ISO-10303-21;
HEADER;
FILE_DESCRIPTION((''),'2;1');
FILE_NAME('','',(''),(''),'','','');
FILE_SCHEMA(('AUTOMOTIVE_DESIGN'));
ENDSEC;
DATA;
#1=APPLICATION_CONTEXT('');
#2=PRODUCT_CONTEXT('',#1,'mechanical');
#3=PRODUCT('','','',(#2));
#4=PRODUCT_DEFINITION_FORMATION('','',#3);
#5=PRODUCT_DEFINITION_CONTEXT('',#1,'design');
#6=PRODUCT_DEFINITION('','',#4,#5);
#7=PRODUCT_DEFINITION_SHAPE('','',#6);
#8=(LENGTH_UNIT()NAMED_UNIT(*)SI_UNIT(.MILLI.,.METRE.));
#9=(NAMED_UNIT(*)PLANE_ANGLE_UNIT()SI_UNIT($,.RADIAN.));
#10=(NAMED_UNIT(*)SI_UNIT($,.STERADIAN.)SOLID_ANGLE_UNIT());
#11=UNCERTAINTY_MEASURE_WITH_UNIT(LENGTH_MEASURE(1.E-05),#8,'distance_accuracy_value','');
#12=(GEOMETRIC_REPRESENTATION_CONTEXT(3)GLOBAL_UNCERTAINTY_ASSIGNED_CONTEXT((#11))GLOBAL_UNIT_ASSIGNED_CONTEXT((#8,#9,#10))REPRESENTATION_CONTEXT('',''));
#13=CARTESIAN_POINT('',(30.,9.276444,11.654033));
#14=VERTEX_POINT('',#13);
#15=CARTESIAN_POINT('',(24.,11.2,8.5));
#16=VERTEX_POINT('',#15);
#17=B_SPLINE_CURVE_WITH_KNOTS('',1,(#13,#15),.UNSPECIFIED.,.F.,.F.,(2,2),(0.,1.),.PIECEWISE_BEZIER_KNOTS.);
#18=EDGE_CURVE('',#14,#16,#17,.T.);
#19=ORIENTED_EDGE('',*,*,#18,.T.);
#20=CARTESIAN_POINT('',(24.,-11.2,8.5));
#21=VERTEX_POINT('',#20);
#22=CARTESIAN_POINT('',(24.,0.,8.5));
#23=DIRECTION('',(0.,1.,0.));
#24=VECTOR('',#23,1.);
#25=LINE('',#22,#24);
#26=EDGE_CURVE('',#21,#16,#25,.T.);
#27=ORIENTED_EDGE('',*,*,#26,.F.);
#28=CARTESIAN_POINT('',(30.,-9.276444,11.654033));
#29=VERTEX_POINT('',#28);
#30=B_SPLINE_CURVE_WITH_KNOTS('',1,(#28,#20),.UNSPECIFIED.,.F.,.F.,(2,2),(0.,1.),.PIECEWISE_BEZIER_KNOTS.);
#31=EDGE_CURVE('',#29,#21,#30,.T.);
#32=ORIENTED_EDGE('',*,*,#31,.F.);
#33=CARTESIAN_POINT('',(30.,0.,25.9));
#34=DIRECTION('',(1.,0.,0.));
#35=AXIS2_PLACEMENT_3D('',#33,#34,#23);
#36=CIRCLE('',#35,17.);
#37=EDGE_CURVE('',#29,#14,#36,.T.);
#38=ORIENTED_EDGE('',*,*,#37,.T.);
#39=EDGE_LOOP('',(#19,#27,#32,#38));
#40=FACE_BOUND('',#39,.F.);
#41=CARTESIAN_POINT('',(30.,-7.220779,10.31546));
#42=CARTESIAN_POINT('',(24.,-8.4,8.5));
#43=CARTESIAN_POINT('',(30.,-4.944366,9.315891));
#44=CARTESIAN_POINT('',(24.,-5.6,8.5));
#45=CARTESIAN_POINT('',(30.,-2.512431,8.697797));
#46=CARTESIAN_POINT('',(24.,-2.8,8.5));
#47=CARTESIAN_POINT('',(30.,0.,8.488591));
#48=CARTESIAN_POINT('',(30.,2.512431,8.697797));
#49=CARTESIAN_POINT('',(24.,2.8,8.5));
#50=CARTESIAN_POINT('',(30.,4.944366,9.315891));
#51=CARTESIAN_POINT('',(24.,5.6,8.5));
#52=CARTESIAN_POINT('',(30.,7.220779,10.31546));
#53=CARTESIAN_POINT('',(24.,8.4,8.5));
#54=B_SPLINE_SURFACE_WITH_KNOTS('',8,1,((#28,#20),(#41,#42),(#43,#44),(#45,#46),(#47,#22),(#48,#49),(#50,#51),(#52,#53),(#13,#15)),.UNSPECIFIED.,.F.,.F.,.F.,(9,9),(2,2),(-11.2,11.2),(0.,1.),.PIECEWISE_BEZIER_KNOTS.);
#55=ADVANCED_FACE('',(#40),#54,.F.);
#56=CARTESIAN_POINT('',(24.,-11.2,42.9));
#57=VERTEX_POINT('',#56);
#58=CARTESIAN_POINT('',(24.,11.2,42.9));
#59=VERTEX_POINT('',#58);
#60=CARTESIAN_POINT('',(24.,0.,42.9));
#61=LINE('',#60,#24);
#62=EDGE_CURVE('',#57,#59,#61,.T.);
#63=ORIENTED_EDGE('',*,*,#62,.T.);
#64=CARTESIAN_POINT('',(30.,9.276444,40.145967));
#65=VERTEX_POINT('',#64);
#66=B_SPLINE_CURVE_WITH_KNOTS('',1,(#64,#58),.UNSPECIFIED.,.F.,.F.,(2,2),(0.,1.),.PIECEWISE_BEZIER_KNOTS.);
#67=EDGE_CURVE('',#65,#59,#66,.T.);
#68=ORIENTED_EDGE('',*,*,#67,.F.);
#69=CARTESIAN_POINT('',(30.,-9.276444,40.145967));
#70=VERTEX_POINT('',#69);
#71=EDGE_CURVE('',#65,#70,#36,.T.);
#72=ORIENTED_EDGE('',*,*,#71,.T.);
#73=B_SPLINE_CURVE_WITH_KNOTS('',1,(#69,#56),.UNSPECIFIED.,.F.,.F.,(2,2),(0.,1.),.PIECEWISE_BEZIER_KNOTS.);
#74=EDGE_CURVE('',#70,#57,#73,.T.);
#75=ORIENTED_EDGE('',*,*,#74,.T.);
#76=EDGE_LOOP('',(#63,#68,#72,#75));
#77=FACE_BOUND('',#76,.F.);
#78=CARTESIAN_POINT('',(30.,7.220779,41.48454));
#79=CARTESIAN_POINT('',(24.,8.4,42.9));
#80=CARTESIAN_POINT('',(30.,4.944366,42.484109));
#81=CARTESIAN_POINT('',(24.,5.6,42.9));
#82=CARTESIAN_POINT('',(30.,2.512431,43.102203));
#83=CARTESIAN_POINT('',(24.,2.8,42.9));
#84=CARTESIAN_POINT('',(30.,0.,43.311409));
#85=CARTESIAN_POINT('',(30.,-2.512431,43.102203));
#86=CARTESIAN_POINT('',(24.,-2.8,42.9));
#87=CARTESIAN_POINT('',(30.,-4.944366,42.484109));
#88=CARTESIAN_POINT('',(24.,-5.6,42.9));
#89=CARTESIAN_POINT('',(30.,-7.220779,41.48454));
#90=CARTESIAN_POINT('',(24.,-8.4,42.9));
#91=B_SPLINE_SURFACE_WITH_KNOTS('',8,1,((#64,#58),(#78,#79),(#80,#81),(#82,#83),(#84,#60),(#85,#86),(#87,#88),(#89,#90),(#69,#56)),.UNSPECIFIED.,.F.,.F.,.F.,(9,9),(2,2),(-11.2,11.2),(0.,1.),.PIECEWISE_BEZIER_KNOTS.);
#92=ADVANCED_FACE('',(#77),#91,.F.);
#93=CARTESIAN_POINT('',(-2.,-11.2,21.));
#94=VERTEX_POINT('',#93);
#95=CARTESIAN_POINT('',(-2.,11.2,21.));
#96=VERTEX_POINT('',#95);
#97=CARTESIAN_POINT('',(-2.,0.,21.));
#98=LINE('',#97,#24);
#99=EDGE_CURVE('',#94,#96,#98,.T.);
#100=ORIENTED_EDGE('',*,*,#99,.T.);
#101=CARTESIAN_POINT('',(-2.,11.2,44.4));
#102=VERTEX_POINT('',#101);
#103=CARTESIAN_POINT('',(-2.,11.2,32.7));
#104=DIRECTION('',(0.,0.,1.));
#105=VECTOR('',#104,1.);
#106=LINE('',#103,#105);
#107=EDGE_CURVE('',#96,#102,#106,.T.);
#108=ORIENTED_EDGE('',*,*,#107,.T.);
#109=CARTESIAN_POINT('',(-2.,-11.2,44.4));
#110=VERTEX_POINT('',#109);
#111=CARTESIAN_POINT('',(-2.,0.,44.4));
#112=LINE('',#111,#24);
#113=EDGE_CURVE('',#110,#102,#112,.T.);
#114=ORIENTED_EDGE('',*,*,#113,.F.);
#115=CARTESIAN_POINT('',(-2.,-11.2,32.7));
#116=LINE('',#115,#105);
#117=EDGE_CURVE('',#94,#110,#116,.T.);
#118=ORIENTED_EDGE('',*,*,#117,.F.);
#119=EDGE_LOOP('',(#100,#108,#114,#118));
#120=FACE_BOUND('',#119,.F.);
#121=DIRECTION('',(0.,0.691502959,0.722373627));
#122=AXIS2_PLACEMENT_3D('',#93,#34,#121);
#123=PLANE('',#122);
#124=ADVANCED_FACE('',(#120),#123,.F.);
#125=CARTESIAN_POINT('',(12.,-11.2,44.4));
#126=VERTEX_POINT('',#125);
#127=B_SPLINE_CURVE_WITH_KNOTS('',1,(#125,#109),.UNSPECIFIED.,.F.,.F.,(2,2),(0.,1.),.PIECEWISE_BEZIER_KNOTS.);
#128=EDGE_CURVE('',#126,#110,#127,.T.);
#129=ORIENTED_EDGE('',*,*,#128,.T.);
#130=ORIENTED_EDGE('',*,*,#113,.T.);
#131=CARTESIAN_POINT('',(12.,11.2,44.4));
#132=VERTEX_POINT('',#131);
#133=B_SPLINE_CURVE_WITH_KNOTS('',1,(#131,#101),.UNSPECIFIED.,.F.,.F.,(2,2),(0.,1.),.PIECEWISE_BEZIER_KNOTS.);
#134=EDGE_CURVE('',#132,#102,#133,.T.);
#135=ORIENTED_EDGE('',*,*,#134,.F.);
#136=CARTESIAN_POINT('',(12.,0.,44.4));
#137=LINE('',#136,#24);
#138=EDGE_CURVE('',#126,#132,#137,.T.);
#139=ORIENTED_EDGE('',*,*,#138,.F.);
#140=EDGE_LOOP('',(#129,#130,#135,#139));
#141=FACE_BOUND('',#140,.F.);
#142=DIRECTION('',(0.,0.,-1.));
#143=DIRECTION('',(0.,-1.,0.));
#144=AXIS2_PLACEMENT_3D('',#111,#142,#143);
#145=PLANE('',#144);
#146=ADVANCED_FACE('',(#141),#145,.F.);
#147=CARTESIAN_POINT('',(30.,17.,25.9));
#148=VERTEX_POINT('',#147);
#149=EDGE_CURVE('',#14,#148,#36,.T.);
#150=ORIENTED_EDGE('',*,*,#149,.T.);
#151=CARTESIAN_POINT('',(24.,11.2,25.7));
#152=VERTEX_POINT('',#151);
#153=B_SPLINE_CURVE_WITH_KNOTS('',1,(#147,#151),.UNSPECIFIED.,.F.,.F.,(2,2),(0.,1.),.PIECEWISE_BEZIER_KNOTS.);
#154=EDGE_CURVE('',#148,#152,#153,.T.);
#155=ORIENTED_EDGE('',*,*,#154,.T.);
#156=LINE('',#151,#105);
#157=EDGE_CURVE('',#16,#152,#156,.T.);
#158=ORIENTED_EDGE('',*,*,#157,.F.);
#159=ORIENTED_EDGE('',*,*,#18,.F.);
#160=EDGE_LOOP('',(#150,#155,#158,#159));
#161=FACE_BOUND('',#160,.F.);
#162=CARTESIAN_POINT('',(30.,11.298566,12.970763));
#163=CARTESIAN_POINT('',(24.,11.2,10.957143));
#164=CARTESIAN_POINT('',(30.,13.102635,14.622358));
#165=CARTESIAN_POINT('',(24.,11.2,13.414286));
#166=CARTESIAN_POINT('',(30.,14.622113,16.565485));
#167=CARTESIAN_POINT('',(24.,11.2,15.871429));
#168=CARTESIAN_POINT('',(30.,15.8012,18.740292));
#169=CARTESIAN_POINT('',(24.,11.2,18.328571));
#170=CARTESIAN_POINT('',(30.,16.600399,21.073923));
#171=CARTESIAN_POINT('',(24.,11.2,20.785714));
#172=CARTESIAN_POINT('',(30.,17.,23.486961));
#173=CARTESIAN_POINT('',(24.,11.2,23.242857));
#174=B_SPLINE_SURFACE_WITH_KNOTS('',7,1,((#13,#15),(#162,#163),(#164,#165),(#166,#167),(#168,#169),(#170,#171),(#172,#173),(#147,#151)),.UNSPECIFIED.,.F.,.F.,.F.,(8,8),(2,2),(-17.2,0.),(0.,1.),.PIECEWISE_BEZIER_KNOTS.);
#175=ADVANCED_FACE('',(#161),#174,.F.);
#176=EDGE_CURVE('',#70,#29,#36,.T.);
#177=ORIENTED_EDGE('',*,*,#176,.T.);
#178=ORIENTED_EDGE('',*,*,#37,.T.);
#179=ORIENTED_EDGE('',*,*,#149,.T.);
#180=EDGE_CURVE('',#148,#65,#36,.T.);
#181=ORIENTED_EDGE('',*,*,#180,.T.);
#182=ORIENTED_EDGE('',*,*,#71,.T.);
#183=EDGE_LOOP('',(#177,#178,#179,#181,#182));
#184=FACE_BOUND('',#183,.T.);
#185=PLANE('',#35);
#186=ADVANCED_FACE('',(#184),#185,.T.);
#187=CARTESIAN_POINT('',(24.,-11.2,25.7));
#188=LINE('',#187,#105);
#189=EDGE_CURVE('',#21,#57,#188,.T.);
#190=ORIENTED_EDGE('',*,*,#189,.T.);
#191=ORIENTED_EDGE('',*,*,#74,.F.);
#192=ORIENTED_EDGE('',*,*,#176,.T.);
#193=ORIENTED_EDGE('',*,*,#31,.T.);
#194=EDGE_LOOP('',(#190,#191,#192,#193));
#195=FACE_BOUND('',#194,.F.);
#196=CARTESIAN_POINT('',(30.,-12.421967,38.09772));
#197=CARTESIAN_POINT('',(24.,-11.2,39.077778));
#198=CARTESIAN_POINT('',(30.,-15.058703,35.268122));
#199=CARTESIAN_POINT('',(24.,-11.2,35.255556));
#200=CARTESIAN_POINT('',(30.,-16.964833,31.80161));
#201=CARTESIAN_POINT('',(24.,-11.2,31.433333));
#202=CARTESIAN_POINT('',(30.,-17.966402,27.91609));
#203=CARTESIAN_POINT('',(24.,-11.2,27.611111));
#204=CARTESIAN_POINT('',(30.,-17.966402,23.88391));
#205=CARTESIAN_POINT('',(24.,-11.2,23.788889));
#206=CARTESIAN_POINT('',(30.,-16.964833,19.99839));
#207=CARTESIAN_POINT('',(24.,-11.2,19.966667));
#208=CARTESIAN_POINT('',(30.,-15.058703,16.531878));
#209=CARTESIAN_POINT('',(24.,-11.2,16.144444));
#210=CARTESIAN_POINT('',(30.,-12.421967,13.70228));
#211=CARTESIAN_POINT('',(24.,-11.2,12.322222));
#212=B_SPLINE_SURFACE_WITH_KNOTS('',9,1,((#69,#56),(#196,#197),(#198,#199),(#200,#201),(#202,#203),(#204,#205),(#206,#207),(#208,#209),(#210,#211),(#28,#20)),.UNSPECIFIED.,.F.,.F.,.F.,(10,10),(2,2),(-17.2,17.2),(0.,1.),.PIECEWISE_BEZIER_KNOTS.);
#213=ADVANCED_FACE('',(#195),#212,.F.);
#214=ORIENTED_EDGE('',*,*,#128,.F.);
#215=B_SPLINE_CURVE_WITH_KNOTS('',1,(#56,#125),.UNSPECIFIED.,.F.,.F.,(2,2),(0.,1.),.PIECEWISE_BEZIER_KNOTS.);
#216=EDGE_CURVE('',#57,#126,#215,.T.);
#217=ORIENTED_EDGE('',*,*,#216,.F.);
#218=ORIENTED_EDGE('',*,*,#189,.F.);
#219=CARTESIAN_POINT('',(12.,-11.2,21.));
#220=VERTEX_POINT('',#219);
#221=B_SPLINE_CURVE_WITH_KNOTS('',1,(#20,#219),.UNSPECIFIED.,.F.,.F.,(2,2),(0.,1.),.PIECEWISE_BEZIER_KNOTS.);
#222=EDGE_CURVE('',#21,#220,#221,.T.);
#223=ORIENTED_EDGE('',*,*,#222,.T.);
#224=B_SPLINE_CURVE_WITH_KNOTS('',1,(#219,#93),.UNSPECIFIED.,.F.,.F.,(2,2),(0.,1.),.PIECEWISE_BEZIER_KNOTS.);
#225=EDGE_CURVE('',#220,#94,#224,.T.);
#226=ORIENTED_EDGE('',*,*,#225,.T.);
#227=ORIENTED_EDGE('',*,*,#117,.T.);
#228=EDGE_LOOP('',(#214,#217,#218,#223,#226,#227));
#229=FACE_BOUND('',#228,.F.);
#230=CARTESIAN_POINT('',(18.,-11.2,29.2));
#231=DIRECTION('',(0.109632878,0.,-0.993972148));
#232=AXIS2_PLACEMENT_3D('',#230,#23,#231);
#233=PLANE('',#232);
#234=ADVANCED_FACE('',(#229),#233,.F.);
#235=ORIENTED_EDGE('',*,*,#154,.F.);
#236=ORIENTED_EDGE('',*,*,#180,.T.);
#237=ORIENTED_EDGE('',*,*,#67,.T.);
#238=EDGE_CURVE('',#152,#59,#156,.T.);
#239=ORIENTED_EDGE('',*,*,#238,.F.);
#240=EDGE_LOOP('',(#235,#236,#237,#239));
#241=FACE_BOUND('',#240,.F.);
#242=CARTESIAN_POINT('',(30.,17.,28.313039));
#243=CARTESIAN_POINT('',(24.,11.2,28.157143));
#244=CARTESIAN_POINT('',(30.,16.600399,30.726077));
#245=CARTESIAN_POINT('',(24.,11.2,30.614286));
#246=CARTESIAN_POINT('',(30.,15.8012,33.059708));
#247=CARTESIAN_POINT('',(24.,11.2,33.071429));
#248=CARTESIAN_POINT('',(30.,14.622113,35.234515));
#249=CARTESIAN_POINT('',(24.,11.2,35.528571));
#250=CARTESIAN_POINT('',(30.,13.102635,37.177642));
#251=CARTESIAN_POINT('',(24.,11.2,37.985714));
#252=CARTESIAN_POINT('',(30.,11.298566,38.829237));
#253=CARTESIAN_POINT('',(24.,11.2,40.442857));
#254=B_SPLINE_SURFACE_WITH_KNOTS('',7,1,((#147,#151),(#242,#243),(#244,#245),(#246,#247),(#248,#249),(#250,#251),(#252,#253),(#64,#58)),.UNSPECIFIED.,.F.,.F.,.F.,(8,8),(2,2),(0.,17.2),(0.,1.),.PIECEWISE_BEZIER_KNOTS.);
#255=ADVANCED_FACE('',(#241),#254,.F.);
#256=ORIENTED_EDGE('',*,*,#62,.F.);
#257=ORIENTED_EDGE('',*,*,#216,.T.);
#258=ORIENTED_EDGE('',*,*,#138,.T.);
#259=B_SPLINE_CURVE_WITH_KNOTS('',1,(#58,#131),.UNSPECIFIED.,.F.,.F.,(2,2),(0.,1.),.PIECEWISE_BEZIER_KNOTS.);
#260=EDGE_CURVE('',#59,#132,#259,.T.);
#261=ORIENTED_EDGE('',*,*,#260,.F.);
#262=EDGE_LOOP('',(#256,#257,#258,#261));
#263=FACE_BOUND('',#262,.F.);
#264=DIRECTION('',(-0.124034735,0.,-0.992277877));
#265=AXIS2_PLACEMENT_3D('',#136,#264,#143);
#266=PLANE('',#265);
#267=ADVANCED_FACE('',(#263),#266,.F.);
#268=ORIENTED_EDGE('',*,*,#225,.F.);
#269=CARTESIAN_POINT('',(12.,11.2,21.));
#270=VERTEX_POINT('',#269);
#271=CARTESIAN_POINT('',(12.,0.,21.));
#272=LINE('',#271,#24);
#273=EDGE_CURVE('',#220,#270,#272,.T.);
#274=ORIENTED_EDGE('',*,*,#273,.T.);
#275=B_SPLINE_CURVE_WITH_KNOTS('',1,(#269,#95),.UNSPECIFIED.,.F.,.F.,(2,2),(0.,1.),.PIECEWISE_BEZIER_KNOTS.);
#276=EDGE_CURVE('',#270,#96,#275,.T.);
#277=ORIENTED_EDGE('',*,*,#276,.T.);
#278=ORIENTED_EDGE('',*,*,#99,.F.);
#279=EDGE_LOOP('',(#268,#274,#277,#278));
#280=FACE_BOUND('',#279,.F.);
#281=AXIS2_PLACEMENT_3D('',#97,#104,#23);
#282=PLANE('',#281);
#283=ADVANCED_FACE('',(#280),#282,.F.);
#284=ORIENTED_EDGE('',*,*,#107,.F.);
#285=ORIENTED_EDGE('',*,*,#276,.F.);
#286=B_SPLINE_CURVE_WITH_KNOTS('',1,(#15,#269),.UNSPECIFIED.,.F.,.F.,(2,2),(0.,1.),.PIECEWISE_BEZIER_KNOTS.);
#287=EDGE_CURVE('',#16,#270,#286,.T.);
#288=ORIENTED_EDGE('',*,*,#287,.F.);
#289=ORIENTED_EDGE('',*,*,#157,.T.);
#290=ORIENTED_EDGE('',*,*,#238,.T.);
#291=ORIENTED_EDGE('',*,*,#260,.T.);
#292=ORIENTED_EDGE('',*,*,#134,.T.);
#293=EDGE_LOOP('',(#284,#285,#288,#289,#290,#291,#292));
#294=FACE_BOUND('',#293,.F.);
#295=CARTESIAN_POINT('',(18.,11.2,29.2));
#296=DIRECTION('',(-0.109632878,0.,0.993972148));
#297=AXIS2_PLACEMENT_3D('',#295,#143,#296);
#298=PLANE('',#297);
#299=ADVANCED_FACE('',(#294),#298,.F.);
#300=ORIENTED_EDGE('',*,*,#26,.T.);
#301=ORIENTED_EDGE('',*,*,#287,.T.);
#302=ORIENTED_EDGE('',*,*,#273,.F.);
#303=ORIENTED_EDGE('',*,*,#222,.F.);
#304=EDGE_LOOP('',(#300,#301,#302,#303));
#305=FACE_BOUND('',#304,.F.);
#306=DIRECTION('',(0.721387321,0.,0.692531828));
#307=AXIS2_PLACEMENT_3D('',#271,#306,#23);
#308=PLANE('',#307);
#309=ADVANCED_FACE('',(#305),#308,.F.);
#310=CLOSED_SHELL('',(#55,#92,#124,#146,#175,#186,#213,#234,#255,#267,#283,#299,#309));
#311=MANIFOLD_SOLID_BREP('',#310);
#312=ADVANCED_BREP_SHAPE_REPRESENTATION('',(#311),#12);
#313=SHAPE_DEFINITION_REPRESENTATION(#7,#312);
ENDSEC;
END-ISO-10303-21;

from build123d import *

# Parameters (mm, degrees)
SKETCH073_W = 22.4
SKETCH073_H = 34.4
SKETCH074_W = 22.4
SKETCH074_H = 23.4
SKETCH075_W = 22.4
SKETCH075_H = 23.4
SKETCH072_R = 17
SKETCH076_W = 22.4
SKETCH076_H = 34.4


with BuildPart() as loft008:
    # Sketch073 → Loft008 section 0
    with BuildSketch(Plane(origin=(24, 0, 19.5), x_dir=(0, 1, 0), z_dir=(1, 0, 0))):
        with Locations((0, 6.2)):
            Rectangle(SKETCH073_W, SKETCH073_H)
    # Sketch074 → Loft008 section 1
    with BuildSketch(Plane(origin=(12, 0, 19.5), x_dir=(0, 1, 0), z_dir=(1, 0, 0))):
        with Locations((0, 13.2)):
            Rectangle(SKETCH074_W, SKETCH074_H)
    # Sketch075 → Loft008 section 2
    with BuildSketch(Plane(origin=(-2, 0, 19.5), x_dir=(0, 1, 0), z_dir=(1, 0, 0))):
        with Locations((0, 13.2)):
            Rectangle(SKETCH075_W, SKETCH075_H)
    loft(ruled=True)


with BuildPart() as fusion005:
    # Sketch072 → Loft007 section 0
    with BuildSketch(Plane(origin=(30, 0, 19.5), x_dir=(0, 1, 0), z_dir=(1, 0, 0))):
        with Locations((0, 6.4)):
            Circle(SKETCH072_R)
    # Sketch076 → Loft007 section 1
    with BuildSketch(Plane(origin=(24, 0, 19.5), x_dir=(0, 1, 0), z_dir=(1, 0, 0))):
        with Locations((0, 6.2)):
            Rectangle(SKETCH076_W, SKETCH076_H)
    loft()

    # Fusion005: union Loft008
    add(loft008.part)


solid = fusion005.part
